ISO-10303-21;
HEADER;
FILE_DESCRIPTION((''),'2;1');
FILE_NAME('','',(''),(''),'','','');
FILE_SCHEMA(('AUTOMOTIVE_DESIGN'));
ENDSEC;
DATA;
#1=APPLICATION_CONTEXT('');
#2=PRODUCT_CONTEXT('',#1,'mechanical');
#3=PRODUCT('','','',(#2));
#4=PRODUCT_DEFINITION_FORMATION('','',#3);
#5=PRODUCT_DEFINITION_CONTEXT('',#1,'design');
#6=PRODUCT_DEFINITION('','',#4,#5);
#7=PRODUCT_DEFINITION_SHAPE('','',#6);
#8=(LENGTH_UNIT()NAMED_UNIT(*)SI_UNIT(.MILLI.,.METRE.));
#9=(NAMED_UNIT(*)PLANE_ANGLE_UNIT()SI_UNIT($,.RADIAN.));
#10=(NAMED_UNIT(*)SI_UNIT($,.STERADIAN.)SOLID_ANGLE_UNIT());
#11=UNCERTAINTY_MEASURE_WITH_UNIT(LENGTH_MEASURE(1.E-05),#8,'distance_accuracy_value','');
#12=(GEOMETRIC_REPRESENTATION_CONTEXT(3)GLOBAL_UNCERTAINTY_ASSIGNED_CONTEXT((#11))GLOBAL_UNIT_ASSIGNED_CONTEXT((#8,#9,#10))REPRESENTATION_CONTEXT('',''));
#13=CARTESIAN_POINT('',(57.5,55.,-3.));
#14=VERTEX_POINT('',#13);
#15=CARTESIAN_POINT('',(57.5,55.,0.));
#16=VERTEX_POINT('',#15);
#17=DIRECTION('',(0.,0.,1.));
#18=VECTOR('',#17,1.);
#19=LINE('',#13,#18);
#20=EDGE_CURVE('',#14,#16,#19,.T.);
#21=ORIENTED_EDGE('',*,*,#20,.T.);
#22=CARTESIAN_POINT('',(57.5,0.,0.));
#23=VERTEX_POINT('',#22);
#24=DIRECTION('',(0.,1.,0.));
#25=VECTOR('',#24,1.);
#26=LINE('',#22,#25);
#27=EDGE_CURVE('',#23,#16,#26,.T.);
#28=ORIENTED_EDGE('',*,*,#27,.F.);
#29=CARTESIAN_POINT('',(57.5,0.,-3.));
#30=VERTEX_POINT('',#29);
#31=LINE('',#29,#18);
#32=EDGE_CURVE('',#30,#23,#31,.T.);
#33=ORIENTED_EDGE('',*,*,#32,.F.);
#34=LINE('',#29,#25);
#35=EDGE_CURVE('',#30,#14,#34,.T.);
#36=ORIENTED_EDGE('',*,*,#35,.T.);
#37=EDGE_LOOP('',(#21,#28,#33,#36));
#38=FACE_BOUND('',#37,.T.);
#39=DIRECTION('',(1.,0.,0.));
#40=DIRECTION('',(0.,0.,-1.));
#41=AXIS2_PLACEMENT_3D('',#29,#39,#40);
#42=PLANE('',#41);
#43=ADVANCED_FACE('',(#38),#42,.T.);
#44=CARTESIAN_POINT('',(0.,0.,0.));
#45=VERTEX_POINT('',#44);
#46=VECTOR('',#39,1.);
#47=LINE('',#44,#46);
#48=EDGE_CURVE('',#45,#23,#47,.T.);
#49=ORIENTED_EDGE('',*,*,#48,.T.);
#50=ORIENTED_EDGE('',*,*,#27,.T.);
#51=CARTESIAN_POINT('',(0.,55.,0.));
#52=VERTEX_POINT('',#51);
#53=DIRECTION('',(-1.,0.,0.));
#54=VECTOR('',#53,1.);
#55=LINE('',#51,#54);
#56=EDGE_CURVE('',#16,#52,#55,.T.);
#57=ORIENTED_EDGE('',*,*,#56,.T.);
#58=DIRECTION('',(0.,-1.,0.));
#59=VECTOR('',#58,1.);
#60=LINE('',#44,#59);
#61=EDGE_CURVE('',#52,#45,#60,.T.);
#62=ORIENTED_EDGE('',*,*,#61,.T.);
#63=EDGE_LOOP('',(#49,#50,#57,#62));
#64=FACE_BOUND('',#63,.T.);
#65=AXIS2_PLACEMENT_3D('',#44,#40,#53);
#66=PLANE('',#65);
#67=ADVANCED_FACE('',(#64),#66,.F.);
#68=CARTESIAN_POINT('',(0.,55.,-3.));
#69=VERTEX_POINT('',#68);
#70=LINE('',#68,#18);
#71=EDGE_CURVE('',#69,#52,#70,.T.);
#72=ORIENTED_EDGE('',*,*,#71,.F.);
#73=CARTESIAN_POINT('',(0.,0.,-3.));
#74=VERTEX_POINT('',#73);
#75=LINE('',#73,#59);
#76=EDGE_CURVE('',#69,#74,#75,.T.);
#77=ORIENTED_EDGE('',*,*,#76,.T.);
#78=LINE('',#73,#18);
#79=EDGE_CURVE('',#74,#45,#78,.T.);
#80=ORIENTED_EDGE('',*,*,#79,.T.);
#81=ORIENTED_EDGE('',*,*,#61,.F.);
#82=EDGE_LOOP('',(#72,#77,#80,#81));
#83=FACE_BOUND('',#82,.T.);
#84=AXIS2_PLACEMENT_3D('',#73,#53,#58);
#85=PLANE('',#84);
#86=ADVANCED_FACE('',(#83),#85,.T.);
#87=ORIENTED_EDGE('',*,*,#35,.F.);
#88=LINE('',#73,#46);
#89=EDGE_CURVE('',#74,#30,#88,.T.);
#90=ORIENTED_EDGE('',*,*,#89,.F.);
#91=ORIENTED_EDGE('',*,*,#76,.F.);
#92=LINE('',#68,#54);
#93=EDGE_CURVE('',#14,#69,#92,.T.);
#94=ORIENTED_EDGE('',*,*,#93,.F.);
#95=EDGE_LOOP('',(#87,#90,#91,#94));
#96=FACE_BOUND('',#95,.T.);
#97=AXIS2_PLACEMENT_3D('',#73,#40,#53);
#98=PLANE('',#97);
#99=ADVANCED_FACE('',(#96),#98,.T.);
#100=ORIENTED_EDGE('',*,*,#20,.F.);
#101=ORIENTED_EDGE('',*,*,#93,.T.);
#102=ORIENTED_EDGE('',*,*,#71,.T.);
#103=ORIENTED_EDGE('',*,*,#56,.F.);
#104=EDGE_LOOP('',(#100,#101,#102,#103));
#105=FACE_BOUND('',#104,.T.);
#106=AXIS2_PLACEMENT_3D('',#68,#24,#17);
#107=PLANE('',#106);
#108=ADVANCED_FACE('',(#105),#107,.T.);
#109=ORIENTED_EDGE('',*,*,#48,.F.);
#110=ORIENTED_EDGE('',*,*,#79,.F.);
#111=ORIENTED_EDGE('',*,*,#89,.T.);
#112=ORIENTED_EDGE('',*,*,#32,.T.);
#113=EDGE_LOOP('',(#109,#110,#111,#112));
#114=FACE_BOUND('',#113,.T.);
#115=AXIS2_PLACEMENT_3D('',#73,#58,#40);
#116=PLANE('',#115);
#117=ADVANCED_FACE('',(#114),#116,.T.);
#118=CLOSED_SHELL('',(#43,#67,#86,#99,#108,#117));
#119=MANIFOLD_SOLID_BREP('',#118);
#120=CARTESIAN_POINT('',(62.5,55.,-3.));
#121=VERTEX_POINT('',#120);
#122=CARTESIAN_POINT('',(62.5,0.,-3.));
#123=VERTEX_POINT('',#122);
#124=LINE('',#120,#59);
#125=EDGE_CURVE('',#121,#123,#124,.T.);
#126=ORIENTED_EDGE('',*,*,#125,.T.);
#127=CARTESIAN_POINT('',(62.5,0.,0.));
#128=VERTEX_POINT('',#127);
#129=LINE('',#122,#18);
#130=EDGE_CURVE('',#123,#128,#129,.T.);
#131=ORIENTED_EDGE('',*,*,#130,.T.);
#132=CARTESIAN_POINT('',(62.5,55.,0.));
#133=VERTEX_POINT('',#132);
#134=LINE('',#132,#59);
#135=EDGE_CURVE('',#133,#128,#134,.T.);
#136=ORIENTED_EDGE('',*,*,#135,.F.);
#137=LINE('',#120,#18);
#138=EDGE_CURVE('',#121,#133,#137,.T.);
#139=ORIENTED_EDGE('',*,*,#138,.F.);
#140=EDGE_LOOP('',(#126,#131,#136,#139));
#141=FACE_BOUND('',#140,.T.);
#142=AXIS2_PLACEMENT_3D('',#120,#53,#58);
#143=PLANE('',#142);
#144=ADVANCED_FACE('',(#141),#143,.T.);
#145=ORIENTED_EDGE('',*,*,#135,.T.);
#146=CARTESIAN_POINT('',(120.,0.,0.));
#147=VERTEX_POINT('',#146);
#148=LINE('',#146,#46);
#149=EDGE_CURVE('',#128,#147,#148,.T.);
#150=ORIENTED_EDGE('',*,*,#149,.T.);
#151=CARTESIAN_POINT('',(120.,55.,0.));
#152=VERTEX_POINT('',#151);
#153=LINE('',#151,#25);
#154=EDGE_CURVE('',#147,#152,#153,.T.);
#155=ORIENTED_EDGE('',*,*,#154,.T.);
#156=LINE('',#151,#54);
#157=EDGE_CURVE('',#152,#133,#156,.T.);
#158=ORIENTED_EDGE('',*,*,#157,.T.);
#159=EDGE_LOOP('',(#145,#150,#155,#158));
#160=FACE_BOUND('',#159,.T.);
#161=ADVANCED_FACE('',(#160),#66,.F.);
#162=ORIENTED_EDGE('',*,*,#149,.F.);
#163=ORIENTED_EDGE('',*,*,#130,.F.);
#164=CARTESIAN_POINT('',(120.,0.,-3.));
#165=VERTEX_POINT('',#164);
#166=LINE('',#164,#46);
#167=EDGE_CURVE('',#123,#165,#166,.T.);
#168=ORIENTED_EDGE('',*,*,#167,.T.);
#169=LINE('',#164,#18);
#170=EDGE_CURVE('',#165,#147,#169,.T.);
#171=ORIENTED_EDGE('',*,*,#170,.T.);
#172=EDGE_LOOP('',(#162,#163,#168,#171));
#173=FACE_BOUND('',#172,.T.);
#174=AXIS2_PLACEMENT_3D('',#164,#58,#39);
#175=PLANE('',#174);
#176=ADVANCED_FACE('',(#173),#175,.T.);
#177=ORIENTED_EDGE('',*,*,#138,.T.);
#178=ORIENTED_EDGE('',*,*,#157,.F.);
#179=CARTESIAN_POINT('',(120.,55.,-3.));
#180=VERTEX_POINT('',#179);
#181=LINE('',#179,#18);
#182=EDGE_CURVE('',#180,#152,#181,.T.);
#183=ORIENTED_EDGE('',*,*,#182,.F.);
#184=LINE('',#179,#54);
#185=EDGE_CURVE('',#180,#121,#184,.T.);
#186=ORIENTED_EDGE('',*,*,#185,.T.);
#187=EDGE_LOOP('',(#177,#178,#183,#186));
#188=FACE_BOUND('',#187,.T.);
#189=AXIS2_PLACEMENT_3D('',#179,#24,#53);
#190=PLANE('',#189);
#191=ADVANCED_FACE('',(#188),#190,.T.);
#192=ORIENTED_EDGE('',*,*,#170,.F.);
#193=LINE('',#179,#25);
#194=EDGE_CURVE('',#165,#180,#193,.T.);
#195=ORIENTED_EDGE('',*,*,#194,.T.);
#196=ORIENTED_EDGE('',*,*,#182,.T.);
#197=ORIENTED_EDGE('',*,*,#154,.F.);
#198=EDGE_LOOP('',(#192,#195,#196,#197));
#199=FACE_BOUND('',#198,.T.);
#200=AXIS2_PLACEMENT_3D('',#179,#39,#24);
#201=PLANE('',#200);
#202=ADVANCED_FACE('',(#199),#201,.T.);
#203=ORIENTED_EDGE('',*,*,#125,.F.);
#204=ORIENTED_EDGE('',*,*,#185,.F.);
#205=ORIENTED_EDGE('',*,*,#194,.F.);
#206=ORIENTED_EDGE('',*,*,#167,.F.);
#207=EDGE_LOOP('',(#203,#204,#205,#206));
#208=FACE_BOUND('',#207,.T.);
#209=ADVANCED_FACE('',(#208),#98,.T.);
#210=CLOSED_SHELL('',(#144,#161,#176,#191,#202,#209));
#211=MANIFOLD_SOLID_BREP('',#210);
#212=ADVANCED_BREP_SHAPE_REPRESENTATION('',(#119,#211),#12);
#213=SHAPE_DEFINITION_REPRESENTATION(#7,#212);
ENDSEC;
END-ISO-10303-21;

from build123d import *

# Parameters (mm, degrees)
SKETCH1_W             = 57.5
SKETCH1_H             = 55
BOSS_EXTRUDE1_DEPTH   = 3
BOSS_EXTRUDE1_2_DEPTH = 3


with BuildPart() as part:
    # Sketch1 → Boss-Extrude1 (new body)
    with BuildSketch(Plane.XY):
        with Locations((28.75, 27.5)):
            Rectangle(SKETCH1_W, SKETCH1_H)
    extrude(amount=-BOSS_EXTRUDE1_DEPTH)


with BuildPart() as body_2:
    # Sketch1 → Boss-Extrude1 2 (new body)
    with BuildSketch(Plane.XY):
        with Locations((91.25, 27.5)):
            Rectangle(SKETCH1_W, SKETCH1_H)
    extrude(amount=-BOSS_EXTRUDE1_2_DEPTH)


solid = Compound([part.part, body_2.part])
